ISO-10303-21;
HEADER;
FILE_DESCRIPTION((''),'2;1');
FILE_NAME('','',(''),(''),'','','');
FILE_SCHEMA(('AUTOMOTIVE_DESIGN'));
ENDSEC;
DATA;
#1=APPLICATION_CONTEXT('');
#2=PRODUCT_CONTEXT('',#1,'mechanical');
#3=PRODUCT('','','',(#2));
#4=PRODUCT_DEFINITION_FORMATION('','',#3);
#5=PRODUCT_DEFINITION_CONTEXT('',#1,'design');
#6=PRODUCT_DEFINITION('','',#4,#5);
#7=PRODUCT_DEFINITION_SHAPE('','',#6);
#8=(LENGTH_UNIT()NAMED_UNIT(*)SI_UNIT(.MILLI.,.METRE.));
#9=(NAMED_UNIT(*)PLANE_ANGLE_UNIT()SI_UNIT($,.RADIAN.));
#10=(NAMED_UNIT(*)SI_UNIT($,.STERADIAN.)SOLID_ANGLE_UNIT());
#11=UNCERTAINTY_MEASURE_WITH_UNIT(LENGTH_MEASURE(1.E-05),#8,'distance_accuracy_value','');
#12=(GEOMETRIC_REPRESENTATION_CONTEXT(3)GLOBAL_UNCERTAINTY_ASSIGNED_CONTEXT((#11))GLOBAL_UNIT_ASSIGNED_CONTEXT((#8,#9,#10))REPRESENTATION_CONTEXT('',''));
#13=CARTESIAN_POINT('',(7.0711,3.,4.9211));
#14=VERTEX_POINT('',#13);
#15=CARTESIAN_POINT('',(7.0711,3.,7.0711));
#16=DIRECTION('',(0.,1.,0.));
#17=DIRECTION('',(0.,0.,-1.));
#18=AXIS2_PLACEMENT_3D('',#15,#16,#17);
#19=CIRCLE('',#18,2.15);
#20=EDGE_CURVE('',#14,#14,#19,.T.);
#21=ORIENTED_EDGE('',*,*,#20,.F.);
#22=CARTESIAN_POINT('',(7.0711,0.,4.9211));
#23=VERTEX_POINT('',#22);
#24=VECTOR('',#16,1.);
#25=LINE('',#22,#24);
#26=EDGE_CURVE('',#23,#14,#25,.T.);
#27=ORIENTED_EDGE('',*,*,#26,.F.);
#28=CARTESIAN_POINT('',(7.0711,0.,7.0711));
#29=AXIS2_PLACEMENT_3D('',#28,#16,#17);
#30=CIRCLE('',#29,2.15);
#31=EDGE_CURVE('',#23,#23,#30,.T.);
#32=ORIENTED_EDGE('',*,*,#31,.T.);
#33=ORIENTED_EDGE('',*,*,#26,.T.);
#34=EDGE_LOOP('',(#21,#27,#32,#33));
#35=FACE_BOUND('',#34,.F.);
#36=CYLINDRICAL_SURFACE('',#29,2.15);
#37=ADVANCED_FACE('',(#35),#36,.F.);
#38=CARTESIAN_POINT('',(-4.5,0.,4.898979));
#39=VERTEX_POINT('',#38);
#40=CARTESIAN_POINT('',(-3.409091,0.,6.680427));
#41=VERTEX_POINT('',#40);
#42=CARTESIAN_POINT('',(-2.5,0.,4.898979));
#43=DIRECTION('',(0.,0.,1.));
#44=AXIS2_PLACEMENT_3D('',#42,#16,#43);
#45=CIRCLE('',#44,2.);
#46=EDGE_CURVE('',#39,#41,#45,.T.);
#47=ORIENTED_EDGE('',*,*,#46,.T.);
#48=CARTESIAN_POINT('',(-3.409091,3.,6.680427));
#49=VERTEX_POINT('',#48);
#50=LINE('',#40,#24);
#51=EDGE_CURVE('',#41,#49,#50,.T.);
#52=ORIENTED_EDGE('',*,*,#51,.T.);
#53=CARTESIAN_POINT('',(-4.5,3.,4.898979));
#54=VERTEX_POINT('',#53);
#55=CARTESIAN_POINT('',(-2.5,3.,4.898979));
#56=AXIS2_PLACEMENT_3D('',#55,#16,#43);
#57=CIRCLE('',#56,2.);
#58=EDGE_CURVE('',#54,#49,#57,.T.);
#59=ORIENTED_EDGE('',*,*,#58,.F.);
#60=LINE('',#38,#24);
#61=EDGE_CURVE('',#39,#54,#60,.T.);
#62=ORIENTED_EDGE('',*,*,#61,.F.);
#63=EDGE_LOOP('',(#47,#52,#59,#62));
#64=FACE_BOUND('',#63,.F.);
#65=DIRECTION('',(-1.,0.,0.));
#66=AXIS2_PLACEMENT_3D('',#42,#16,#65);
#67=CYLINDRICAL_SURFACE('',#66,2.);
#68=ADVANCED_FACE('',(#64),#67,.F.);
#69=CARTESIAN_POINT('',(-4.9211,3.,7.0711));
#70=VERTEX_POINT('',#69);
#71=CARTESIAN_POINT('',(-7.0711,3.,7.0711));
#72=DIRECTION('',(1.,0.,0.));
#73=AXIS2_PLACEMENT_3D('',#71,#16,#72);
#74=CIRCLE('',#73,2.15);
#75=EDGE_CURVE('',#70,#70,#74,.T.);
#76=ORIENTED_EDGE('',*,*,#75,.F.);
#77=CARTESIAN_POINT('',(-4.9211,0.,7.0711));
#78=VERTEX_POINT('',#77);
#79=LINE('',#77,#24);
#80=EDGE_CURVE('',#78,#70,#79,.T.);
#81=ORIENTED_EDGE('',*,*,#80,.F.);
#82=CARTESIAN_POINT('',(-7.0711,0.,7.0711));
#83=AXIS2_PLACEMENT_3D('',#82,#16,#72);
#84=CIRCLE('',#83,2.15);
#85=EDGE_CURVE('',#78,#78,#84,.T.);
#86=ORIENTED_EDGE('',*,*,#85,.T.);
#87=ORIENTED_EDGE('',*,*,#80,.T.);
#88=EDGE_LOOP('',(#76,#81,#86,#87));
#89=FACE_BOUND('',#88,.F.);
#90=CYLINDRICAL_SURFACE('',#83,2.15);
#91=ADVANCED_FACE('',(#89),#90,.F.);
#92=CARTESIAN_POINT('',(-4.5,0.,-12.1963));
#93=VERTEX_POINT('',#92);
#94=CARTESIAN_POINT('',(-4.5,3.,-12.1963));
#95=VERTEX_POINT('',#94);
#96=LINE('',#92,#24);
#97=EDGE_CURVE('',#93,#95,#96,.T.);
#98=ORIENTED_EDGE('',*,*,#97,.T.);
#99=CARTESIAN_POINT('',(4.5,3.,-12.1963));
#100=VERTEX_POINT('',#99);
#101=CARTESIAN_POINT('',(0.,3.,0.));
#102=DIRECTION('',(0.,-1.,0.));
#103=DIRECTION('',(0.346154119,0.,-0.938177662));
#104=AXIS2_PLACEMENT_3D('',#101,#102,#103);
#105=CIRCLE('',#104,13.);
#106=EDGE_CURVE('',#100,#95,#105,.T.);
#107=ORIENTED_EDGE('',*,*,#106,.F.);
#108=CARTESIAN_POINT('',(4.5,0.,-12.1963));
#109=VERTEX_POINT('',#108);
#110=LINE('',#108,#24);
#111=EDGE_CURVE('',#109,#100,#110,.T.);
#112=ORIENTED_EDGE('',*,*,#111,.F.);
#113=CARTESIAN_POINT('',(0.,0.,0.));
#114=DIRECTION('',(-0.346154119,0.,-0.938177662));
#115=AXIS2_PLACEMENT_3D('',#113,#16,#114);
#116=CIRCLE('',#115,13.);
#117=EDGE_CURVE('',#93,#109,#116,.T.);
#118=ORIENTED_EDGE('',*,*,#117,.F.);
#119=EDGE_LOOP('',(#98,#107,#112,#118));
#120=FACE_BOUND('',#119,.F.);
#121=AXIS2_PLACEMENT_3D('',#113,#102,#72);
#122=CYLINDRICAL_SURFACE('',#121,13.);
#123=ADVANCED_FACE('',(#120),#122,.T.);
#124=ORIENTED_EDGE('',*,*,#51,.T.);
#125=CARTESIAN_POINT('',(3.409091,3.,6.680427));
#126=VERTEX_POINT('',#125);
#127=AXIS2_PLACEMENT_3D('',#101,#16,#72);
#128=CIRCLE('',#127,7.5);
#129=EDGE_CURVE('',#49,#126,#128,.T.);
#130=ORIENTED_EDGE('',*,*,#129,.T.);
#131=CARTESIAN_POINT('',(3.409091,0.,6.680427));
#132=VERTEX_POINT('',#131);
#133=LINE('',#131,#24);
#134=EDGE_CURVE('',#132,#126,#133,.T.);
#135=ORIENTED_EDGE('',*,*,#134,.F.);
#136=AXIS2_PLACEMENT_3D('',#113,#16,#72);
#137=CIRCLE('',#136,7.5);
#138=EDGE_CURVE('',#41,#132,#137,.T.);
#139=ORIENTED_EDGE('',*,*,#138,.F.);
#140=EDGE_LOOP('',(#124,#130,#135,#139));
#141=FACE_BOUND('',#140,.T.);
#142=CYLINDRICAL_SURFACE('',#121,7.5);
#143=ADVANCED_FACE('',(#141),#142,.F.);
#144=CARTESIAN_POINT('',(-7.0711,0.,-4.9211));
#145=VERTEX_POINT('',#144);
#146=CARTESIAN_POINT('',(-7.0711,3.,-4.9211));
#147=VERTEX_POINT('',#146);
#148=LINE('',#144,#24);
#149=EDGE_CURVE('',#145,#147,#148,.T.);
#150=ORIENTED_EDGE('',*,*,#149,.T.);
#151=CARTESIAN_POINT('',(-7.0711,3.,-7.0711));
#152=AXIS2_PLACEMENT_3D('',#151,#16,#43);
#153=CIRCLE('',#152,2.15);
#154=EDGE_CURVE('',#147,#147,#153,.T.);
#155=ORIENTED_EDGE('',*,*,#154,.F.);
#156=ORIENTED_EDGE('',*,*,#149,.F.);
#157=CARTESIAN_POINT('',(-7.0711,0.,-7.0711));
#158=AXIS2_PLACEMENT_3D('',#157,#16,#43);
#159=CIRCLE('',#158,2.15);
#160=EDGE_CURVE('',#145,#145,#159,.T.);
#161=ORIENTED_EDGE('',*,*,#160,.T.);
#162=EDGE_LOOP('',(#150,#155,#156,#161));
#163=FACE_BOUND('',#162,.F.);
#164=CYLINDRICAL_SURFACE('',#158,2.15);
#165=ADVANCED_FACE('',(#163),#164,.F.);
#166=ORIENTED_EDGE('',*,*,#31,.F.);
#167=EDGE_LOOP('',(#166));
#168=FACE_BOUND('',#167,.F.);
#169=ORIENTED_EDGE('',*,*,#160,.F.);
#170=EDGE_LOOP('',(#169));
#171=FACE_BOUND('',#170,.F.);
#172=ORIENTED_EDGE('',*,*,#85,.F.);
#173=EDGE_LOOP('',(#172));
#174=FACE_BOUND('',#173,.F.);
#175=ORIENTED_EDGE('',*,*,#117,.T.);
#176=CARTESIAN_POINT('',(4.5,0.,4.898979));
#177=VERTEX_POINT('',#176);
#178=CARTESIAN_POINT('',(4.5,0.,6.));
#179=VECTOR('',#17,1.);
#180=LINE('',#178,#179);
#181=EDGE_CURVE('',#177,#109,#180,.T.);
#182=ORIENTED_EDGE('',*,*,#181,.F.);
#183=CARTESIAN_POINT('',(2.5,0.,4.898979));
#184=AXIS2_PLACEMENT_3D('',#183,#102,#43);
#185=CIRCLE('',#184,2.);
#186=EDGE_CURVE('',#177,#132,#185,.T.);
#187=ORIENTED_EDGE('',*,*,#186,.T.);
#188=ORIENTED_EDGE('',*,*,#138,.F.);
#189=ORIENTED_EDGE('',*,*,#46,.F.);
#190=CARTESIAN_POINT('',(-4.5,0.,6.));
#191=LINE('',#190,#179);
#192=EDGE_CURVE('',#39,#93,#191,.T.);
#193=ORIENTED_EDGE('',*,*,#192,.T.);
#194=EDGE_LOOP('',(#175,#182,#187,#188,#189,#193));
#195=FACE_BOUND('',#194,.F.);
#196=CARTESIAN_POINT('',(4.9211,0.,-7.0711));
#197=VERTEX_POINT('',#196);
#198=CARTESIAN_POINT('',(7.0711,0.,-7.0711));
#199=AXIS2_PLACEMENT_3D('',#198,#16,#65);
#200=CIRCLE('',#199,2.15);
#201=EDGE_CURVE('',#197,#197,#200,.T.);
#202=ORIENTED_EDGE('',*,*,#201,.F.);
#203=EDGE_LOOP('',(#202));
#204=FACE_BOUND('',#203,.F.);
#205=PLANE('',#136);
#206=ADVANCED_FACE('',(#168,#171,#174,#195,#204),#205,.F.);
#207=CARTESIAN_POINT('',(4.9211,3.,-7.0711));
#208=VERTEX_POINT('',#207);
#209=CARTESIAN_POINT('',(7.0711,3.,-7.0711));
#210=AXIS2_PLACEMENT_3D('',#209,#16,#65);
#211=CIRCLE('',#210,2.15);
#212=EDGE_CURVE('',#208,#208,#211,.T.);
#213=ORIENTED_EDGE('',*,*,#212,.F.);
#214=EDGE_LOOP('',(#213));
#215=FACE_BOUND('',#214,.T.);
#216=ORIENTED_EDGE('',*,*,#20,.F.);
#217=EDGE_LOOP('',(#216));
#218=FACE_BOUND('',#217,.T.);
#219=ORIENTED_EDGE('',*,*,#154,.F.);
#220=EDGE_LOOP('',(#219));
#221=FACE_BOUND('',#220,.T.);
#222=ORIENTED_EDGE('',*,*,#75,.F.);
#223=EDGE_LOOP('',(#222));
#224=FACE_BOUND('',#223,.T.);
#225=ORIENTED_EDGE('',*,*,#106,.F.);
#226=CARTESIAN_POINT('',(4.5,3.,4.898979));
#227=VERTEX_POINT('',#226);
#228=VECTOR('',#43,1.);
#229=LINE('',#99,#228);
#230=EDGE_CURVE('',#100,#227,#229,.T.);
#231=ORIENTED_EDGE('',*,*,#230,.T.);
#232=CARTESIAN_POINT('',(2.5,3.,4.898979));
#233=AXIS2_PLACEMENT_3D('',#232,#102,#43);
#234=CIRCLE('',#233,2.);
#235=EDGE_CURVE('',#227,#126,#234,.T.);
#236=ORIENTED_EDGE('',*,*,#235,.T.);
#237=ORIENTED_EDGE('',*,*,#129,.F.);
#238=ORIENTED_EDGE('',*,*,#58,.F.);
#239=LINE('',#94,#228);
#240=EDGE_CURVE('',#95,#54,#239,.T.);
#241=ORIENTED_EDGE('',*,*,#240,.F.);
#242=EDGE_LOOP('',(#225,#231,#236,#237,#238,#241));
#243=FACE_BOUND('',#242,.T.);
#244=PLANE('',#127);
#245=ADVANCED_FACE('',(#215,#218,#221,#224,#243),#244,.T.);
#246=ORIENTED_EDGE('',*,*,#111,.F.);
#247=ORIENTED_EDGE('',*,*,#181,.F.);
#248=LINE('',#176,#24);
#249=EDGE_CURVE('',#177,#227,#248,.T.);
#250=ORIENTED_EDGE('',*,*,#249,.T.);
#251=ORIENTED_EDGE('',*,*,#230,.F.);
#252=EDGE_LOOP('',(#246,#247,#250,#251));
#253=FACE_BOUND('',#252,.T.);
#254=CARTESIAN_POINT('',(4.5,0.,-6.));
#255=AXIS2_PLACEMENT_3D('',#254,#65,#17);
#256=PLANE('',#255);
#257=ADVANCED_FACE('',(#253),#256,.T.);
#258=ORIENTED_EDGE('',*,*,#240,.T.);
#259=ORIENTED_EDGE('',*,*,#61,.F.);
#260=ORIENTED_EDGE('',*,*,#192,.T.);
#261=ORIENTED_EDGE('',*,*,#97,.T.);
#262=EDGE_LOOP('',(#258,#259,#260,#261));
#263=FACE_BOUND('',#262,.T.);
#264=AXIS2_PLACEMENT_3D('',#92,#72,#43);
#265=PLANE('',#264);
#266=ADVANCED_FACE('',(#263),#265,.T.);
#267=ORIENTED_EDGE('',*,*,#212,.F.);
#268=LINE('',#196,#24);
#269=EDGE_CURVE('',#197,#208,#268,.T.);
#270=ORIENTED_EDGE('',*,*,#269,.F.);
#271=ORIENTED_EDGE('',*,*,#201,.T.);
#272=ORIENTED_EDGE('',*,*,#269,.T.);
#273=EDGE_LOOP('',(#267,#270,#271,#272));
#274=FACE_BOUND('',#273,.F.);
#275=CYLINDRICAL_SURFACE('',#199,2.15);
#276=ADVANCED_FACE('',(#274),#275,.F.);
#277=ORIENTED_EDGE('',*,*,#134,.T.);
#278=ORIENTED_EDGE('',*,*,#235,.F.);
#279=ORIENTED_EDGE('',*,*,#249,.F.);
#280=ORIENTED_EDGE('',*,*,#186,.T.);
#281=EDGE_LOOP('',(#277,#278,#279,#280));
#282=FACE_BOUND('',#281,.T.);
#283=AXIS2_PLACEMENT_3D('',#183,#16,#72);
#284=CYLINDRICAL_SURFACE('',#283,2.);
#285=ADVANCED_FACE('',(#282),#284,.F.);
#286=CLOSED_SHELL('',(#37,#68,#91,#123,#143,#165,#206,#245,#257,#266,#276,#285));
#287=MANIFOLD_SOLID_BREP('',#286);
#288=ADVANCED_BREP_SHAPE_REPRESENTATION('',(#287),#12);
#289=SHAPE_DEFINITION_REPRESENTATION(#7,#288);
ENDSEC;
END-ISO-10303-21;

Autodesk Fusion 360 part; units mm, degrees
sketch "Sketch1" plane through (0, 0, 0) normal (0, 1, 0) x (1, 0, 0)
  circle A0 centre (0, 0) radius 13
  circle A1 centre (0, 0) radius 7.5
  line L0 (-4.5, 12.1963) -> (-4.5, -6)
  line L1 (4.5, -6) -> (4.5, 12.1963)
  circle A2 centre (0, 0) radius 10 construction
  line L2 (0, 0) -> (7.0711, -7.0711)
  line L3 (0, 0) -> (13, 0) construction
  point P0 (7.0711, -7.0711)
  dimension "d1" = 26
  dimension "d2" = 15
  dimension "d3" = 9
  dimension "d4" = 20
  dimension "d12" = 45
extrude "Extrude1" add sketch "Sketch1" along normal blind 3 contours A0 A1 L0 L1 | A1 L1 L2 | A1 L0 | A1 L1 L2 picked at (8.8444, -6.7794)
hole "Hole1" at (7.0711, 0, 7.0711) direction (0, 1, 0) diameter 4.3 end through all
pattern_circular "C-Pattern1" count 4 over 360 about axis through (0, 1.75, 0) along (0, 1, 0) of "Hole1"
fillet "Fillet1" radius 2 2 edges at (-4.5, 1.5, 6) (4.5, 1.5, 6)
sketch "Sketch2" plane through (0, 3, 0) normal (0, 1, 0) x (-1, 0, 0)
  circle A0 centre (7.0711, 7.0711) radius 2.15
  circle A1 centre (7.0711, -7.0711) radius 2.15
  circle A2 centre (-7.0711, -7.0711) radius 2.15
  circle A3 centre (-7.0711, 7.0711) radius 2.15
  arc A4 (4.5, -12.1963) -> (-4.5, -12.1963) centre (0, 0) ccw
  line L0 (-4.5, -12.1963) -> (-4.5, 4.899)
  arc A5 (-3.4091, 6.6804) -> (-4.5, 4.899) centre (-2.5, 4.899) ccw
  arc A6 (3.4091, 6.6804) -> (-3.4091, 6.6804) centre (0, 0) ccw
  arc A7 (4.5, 4.899) -> (3.4091, 6.6804) centre (2.5, 4.899) ccw
  line L1 (4.5, 4.899) -> (4.5, -12.1963)
